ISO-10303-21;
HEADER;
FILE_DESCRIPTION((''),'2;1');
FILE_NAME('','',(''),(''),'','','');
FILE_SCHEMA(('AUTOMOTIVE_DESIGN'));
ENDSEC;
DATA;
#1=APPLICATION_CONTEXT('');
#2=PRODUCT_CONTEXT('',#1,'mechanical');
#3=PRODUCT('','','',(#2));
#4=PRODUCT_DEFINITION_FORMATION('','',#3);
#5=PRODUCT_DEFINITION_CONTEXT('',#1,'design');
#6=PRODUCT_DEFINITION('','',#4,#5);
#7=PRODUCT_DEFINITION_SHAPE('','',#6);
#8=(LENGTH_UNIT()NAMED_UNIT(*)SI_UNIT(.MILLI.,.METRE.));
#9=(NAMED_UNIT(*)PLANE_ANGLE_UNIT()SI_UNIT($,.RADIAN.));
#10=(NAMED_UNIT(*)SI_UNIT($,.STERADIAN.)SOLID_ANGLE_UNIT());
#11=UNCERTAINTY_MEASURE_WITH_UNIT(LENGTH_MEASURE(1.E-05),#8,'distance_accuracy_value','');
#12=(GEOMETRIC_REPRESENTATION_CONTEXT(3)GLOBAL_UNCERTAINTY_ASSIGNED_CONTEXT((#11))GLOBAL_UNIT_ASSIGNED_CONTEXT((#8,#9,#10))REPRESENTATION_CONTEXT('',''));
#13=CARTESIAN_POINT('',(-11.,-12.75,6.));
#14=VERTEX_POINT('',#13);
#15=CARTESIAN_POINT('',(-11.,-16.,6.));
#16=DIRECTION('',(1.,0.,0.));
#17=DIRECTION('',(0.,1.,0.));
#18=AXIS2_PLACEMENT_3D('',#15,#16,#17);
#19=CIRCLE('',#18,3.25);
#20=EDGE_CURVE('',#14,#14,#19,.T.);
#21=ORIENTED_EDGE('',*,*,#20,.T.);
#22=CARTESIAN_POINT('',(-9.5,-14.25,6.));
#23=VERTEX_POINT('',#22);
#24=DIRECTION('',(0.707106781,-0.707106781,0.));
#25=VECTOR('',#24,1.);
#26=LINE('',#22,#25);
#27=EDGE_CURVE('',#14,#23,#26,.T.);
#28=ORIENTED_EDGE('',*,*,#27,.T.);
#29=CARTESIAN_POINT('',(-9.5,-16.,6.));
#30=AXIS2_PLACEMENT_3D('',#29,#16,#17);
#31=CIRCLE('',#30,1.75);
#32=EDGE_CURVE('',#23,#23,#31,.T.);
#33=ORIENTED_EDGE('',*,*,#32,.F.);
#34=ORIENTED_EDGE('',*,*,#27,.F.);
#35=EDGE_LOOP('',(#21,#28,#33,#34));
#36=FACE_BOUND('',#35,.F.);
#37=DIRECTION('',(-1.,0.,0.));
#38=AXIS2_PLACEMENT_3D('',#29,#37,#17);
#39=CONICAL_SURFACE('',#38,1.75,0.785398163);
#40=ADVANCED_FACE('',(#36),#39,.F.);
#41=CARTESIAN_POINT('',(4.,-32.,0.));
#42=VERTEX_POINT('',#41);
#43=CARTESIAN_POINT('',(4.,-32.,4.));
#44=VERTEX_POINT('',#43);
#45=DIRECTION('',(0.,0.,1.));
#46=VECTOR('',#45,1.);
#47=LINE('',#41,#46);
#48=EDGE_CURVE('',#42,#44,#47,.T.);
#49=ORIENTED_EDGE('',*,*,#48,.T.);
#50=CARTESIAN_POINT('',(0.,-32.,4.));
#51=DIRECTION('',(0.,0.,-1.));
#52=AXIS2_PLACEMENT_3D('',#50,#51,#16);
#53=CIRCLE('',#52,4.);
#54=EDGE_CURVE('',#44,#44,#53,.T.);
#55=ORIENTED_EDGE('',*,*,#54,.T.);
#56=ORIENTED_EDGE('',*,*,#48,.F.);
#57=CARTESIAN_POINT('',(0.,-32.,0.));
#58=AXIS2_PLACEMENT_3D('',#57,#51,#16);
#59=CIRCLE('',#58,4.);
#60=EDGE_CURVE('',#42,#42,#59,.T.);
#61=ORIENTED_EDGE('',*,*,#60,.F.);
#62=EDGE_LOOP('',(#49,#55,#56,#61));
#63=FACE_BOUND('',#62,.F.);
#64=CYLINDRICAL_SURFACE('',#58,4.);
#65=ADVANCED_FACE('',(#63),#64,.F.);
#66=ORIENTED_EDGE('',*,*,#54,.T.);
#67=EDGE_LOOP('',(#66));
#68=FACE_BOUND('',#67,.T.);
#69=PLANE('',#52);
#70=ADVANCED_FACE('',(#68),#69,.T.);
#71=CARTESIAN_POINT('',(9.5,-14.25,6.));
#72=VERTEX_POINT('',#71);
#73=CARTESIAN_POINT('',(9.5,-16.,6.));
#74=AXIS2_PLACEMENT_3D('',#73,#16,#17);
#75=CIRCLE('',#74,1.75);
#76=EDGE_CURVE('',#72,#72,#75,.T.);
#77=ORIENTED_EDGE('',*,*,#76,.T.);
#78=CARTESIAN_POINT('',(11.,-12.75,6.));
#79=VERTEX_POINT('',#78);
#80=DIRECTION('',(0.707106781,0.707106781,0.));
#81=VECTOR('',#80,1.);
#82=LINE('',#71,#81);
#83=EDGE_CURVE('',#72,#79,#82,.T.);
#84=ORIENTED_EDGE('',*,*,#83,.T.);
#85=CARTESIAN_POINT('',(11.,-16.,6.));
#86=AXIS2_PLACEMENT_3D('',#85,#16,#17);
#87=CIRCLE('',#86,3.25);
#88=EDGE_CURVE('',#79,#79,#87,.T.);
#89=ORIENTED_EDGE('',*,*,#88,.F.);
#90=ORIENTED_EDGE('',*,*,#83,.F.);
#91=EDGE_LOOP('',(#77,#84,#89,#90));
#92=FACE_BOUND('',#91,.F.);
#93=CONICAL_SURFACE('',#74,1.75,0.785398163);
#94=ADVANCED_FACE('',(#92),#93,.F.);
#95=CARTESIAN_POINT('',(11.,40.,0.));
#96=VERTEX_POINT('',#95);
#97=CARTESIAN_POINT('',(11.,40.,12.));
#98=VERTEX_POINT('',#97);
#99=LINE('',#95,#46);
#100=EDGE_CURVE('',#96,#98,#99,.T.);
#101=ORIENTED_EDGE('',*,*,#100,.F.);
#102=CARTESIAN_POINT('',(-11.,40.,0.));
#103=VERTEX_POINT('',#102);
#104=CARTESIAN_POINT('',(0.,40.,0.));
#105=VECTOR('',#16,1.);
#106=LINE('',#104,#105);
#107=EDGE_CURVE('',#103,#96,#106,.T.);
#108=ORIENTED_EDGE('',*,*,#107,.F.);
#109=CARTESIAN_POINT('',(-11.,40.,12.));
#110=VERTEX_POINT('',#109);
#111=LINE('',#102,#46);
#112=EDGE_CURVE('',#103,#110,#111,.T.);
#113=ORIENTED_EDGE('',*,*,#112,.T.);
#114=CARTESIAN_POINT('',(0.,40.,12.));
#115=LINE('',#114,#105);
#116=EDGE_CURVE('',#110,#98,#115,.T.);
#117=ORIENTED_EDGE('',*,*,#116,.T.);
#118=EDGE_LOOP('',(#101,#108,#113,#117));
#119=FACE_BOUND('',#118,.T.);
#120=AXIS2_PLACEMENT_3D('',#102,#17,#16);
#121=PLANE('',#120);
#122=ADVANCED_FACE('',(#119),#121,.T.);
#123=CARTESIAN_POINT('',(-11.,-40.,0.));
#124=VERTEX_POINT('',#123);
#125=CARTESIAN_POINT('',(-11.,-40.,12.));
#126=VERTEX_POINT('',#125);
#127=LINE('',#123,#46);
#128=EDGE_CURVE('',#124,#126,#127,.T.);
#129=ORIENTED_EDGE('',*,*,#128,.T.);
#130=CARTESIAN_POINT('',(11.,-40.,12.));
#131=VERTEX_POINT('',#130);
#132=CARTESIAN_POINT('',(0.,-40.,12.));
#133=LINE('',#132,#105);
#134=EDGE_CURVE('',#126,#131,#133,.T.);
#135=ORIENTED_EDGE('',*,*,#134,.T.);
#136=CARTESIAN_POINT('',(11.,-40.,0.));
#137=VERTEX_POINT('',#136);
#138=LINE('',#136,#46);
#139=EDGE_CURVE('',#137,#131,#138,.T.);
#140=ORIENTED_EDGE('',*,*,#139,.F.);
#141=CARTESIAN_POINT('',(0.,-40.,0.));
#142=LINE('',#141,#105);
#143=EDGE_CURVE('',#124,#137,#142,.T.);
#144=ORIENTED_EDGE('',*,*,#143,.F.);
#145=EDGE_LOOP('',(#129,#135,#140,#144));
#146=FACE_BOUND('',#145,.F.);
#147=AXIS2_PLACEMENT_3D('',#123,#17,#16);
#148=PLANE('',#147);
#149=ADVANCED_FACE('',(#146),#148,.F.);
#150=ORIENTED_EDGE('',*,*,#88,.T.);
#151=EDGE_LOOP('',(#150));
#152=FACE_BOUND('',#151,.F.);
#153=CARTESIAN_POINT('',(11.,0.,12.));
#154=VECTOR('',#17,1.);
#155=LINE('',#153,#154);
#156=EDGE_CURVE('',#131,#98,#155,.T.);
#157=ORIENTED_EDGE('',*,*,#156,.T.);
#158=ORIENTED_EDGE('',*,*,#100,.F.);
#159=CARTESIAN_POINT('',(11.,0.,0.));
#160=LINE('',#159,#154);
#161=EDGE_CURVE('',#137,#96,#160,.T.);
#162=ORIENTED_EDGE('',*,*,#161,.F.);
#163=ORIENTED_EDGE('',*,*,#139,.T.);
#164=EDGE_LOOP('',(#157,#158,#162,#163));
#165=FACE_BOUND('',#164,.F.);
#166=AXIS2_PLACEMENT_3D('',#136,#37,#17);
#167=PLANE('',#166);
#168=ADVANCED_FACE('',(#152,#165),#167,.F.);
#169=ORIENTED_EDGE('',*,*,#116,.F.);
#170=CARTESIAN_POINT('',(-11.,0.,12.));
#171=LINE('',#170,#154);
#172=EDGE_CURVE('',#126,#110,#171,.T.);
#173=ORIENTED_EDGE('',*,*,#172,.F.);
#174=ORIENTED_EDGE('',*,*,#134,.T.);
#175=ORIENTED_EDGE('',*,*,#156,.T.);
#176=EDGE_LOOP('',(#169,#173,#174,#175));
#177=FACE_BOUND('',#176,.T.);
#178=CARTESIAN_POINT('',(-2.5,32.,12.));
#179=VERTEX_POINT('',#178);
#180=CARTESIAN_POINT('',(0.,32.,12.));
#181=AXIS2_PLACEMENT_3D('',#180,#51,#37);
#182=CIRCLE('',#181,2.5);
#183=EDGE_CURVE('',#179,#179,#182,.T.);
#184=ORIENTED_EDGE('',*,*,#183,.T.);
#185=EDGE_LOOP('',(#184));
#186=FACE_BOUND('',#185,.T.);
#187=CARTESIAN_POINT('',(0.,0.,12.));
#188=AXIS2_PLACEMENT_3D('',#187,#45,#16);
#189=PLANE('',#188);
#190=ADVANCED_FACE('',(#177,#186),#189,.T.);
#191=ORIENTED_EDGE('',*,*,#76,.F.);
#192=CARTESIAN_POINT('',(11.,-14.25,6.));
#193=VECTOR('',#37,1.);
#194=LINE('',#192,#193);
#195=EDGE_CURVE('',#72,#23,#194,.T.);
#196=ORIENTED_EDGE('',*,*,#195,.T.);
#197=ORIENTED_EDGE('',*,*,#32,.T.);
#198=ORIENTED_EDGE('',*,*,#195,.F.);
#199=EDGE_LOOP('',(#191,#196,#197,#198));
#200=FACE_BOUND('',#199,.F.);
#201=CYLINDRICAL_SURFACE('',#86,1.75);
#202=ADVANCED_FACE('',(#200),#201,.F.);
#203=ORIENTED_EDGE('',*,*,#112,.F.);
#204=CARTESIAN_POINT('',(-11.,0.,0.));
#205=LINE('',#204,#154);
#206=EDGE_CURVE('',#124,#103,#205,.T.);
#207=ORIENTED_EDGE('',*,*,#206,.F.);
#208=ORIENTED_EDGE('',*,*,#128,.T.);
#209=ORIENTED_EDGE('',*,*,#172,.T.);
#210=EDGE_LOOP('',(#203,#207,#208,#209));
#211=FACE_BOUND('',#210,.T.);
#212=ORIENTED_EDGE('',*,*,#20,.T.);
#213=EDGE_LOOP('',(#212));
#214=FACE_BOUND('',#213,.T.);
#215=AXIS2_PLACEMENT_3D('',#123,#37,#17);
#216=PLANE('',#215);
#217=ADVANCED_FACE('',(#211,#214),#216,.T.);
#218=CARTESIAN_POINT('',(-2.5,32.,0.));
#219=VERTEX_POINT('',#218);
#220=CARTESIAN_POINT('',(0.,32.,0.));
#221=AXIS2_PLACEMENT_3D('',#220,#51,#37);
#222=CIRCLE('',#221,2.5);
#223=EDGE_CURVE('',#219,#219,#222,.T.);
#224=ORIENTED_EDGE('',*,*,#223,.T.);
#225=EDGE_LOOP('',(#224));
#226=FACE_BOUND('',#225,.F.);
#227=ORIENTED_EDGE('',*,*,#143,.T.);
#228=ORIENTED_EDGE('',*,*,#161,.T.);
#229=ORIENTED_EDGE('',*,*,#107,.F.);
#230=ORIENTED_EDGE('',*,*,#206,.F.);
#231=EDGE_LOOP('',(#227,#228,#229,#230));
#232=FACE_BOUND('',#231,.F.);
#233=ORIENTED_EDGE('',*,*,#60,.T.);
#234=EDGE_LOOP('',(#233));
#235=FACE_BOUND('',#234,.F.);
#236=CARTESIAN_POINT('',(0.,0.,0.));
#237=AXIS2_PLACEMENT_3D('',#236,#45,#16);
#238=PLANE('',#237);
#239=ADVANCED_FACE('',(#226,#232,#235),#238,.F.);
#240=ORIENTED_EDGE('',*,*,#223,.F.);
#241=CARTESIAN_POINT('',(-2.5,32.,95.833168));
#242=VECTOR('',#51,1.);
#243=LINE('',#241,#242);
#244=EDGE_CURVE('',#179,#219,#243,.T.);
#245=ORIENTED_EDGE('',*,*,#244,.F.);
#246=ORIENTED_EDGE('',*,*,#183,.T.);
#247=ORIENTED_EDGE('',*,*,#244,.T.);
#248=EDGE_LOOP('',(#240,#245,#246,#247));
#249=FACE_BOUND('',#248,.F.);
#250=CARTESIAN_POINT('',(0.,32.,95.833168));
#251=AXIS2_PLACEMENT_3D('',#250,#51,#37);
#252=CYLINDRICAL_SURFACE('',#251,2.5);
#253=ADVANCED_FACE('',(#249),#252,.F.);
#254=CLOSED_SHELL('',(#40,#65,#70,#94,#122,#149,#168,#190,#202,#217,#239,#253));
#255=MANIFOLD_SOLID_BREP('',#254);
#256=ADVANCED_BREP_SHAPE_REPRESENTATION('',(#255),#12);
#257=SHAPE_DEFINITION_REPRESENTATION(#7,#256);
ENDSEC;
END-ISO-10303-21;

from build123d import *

# Parameters (mm, degrees)
F0_W     = 22
F0_H     = 80
F1_DEPTH = 12
F2_R     = 1.75
F3_DEPTH = 25
F4_SIZE  = 1.5
F5_R     = 4
F6_DEPTH = 4
F8_D     = 5


with BuildPart() as f1:
    # F0 (on Top) → F1 (new body)
    with BuildSketch(Plane.XY):
        Rectangle(F0_W, F0_H)
    extrude(amount=F1_DEPTH)

    # F2 (on face) → F3 (cut)
    with BuildSketch(Plane.YZ.offset(11)):
        with Locations((-16, 6)):
            Circle(F2_R)
    extrude(amount=-F3_DEPTH, mode=Mode.SUBTRACT)

    # F4
    f4_edges = [f1.edges().sort_by_distance(p)[0] for p in [
        (11, -17.75, 6),
        (-11, -17.75, 6),
    ]]
    chamfer(f4_edges, length=F4_SIZE)

    # F5 (on face) → F6 (cut)
    with BuildSketch(Plane(origin=(0, 0, 0), x_dir=(1, 0, 0), z_dir=(0, 0, -1))):
        with Locations((0, 32)):
            Circle(F5_R)
    extrude(amount=-F6_DEPTH, mode=Mode.SUBTRACT)

    # F8 (through all)
    with Locations(Plane.XY.offset(12)):
        with Locations((0, 32)):
            Hole(F8_D / 2)


solid = f1.part
